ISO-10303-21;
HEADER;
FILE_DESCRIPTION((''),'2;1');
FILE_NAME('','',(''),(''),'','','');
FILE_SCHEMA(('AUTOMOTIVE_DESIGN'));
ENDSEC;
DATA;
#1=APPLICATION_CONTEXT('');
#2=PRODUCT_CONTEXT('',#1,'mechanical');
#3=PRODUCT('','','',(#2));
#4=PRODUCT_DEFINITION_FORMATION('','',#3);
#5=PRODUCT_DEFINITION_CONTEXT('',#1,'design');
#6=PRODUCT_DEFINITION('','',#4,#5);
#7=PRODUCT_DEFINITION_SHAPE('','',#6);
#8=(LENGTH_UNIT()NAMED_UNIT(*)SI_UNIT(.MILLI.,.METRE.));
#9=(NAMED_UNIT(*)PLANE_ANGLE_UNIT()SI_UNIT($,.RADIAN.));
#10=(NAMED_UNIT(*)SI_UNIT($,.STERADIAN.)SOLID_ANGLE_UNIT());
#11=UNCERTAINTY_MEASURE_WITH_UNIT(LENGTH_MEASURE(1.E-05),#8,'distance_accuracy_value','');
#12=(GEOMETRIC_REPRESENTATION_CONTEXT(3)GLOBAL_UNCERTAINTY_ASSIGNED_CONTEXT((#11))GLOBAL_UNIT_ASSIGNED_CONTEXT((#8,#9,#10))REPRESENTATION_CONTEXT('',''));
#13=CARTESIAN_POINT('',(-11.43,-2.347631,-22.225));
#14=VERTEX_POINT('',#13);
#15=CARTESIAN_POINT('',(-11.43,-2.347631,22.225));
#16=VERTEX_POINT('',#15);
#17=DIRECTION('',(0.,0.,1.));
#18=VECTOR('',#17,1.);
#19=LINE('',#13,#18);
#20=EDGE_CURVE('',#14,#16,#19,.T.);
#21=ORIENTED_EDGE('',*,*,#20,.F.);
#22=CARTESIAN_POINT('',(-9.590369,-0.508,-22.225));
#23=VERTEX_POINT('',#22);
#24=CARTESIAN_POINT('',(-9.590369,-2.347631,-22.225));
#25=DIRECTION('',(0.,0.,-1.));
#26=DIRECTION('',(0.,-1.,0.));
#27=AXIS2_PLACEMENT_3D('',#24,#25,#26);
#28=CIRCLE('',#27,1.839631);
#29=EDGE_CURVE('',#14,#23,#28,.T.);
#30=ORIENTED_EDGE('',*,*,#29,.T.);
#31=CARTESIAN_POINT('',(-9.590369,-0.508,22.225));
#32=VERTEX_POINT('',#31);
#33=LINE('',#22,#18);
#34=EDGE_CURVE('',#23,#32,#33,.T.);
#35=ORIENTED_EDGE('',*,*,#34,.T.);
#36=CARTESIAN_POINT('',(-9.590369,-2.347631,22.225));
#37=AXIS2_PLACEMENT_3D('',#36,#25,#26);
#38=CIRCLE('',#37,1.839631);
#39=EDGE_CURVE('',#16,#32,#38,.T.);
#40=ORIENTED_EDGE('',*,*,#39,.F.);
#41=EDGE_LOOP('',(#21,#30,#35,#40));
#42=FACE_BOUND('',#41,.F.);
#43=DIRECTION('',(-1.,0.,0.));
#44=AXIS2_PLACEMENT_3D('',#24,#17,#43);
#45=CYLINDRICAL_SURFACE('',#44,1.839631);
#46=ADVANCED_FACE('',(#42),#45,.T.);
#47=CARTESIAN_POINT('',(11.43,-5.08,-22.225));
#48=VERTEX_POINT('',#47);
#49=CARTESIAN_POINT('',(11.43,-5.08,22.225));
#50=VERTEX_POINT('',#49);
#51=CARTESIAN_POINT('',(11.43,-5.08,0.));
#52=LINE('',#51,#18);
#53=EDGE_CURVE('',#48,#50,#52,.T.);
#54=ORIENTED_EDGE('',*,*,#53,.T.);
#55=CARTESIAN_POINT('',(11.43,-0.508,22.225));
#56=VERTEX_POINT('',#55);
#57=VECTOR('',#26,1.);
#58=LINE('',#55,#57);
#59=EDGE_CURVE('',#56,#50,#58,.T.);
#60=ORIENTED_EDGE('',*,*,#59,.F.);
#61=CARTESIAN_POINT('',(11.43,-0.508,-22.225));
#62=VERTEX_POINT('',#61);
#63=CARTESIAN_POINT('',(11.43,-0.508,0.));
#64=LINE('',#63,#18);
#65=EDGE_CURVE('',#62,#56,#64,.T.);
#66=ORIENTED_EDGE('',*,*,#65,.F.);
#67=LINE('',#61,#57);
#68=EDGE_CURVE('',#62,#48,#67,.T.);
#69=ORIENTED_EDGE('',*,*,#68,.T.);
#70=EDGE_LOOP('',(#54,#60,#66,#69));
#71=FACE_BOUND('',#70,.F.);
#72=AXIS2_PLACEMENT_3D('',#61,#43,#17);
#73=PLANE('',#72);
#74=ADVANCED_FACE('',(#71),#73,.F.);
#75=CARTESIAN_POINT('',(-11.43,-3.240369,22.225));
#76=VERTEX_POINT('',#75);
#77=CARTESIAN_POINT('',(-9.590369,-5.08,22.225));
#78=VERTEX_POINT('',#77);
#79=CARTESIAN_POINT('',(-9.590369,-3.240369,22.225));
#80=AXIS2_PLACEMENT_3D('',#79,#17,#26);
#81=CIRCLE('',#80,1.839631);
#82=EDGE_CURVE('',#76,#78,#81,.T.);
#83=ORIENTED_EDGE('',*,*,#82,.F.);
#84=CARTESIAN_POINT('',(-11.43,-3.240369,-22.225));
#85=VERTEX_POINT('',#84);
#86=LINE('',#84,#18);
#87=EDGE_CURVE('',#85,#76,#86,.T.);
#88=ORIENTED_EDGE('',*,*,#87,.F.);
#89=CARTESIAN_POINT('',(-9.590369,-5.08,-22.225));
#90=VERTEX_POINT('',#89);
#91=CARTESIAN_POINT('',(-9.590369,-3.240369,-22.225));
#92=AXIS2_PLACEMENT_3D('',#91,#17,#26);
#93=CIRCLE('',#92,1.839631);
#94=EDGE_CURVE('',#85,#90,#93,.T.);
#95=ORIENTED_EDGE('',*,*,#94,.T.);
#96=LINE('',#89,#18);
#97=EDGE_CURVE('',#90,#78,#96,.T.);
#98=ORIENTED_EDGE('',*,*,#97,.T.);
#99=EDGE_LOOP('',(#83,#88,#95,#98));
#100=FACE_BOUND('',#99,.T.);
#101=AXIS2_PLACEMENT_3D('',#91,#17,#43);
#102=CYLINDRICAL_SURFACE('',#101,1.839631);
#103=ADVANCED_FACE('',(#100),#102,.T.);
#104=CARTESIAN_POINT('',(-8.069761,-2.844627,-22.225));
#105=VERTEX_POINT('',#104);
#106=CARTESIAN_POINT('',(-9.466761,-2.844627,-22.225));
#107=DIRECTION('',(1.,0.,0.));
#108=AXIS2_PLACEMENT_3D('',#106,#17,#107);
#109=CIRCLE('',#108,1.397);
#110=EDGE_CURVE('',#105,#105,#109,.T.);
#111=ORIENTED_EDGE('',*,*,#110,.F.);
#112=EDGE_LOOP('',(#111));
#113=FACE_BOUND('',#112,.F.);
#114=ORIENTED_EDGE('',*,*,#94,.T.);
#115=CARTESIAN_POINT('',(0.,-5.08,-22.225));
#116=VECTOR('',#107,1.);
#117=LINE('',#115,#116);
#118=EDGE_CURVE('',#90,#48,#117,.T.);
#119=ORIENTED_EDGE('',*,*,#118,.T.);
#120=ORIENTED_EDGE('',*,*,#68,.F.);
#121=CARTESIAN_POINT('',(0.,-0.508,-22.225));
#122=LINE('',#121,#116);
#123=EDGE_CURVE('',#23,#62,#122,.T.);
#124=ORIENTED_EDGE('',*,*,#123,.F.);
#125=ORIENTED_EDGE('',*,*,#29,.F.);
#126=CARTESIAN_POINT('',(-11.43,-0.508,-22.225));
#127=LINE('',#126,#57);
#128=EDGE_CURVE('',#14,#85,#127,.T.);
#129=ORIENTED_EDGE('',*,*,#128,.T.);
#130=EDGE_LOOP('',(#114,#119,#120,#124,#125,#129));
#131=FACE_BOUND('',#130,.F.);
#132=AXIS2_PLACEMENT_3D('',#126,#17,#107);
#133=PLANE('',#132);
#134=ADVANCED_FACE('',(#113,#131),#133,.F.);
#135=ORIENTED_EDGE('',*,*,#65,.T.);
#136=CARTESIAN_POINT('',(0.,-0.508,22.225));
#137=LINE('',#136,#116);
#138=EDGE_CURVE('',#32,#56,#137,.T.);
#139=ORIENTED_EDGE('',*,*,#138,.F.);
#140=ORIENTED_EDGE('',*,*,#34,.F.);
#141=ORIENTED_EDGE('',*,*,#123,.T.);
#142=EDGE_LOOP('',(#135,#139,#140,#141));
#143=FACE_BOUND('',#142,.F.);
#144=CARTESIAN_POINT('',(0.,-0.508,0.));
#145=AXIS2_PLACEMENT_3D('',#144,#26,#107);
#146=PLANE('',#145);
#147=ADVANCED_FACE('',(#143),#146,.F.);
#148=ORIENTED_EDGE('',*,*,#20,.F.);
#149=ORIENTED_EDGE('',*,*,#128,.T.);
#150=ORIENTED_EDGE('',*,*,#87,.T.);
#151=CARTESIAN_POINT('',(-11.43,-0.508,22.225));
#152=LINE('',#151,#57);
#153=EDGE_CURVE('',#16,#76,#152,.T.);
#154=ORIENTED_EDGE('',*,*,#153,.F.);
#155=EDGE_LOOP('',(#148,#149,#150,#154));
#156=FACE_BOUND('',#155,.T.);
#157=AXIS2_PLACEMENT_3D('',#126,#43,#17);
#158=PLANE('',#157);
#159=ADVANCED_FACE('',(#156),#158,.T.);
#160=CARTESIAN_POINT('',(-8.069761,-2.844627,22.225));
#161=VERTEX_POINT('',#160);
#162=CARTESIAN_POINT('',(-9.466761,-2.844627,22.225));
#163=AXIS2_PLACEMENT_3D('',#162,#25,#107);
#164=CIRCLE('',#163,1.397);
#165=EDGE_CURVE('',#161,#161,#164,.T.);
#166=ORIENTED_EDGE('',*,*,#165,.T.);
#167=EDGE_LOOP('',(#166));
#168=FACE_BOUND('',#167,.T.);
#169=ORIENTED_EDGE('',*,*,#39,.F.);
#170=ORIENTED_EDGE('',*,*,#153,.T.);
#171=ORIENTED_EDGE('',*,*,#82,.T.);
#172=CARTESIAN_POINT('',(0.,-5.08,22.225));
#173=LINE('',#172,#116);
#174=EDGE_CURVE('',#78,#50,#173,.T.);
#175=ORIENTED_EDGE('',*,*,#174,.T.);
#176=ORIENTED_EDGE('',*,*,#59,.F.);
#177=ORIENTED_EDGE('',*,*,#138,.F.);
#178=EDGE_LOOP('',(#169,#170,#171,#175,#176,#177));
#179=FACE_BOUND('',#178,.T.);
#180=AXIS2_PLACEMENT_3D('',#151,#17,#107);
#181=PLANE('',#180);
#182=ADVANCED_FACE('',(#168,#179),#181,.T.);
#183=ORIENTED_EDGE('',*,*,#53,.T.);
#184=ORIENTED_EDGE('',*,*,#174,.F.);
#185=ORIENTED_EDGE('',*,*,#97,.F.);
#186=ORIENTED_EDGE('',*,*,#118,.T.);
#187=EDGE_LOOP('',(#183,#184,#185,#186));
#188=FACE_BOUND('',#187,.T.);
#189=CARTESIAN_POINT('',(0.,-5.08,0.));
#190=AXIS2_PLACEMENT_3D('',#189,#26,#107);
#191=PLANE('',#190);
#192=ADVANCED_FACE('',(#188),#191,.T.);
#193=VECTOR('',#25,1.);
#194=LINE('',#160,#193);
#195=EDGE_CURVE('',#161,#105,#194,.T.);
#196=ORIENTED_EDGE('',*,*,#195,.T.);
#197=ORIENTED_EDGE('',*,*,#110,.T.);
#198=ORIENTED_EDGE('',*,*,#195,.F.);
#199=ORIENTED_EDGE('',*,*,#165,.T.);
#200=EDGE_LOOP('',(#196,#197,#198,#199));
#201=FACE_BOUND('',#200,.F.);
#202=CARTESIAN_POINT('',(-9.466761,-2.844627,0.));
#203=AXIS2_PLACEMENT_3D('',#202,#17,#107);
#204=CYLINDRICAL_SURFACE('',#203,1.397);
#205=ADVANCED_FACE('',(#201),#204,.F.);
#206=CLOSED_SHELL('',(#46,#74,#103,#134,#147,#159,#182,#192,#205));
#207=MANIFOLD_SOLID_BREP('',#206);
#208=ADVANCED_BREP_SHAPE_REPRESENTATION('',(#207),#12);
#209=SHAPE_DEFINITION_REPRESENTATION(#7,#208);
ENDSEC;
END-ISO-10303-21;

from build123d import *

# Parameters (mm, degrees)
F1_START      = 0.508
F0_W          = 22.86
F0_H          = 44.45
F1_DEPTH      = 4.572
F2_R          = 1.397
F3_DEPTH      = 25.4
F3_DEPTH_BACK = 25.4
F4_R          = 1.8396307345
F5_R          = 1.8396307345


with BuildPart() as f1:
    # F0 (on Front) → F1 (new body)
    with BuildSketch(Plane.XZ.offset(F1_START)):
        Rectangle(F0_W, F0_H)
    extrude(amount=F1_DEPTH)

    # F2 (on Top) → F3 (cut, two sides)
    with BuildSketch(Plane.XY) as f3_sk:
        with Locations((-9.4667607918, -2.8446267825)):
            Circle(F2_R)
    extrude(amount=F3_DEPTH, mode=Mode.SUBTRACT)
    extrude(f3_sk.sketch, amount=-F3_DEPTH_BACK, mode=Mode.SUBTRACT)

    # F4
    f4_edges = [f1.edges().sort_by_distance(p)[0] for p in [
        (-11.43, -0.508, 0),
    ]]
    fillet(f4_edges, radius=F4_R)

    # F5
    f5_edges = [f1.edges().sort_by_distance(p)[0] for p in [
        (-11.43, -5.08, 0),
    ]]
    fillet(f5_edges, radius=F5_R)


solid = f1.part
